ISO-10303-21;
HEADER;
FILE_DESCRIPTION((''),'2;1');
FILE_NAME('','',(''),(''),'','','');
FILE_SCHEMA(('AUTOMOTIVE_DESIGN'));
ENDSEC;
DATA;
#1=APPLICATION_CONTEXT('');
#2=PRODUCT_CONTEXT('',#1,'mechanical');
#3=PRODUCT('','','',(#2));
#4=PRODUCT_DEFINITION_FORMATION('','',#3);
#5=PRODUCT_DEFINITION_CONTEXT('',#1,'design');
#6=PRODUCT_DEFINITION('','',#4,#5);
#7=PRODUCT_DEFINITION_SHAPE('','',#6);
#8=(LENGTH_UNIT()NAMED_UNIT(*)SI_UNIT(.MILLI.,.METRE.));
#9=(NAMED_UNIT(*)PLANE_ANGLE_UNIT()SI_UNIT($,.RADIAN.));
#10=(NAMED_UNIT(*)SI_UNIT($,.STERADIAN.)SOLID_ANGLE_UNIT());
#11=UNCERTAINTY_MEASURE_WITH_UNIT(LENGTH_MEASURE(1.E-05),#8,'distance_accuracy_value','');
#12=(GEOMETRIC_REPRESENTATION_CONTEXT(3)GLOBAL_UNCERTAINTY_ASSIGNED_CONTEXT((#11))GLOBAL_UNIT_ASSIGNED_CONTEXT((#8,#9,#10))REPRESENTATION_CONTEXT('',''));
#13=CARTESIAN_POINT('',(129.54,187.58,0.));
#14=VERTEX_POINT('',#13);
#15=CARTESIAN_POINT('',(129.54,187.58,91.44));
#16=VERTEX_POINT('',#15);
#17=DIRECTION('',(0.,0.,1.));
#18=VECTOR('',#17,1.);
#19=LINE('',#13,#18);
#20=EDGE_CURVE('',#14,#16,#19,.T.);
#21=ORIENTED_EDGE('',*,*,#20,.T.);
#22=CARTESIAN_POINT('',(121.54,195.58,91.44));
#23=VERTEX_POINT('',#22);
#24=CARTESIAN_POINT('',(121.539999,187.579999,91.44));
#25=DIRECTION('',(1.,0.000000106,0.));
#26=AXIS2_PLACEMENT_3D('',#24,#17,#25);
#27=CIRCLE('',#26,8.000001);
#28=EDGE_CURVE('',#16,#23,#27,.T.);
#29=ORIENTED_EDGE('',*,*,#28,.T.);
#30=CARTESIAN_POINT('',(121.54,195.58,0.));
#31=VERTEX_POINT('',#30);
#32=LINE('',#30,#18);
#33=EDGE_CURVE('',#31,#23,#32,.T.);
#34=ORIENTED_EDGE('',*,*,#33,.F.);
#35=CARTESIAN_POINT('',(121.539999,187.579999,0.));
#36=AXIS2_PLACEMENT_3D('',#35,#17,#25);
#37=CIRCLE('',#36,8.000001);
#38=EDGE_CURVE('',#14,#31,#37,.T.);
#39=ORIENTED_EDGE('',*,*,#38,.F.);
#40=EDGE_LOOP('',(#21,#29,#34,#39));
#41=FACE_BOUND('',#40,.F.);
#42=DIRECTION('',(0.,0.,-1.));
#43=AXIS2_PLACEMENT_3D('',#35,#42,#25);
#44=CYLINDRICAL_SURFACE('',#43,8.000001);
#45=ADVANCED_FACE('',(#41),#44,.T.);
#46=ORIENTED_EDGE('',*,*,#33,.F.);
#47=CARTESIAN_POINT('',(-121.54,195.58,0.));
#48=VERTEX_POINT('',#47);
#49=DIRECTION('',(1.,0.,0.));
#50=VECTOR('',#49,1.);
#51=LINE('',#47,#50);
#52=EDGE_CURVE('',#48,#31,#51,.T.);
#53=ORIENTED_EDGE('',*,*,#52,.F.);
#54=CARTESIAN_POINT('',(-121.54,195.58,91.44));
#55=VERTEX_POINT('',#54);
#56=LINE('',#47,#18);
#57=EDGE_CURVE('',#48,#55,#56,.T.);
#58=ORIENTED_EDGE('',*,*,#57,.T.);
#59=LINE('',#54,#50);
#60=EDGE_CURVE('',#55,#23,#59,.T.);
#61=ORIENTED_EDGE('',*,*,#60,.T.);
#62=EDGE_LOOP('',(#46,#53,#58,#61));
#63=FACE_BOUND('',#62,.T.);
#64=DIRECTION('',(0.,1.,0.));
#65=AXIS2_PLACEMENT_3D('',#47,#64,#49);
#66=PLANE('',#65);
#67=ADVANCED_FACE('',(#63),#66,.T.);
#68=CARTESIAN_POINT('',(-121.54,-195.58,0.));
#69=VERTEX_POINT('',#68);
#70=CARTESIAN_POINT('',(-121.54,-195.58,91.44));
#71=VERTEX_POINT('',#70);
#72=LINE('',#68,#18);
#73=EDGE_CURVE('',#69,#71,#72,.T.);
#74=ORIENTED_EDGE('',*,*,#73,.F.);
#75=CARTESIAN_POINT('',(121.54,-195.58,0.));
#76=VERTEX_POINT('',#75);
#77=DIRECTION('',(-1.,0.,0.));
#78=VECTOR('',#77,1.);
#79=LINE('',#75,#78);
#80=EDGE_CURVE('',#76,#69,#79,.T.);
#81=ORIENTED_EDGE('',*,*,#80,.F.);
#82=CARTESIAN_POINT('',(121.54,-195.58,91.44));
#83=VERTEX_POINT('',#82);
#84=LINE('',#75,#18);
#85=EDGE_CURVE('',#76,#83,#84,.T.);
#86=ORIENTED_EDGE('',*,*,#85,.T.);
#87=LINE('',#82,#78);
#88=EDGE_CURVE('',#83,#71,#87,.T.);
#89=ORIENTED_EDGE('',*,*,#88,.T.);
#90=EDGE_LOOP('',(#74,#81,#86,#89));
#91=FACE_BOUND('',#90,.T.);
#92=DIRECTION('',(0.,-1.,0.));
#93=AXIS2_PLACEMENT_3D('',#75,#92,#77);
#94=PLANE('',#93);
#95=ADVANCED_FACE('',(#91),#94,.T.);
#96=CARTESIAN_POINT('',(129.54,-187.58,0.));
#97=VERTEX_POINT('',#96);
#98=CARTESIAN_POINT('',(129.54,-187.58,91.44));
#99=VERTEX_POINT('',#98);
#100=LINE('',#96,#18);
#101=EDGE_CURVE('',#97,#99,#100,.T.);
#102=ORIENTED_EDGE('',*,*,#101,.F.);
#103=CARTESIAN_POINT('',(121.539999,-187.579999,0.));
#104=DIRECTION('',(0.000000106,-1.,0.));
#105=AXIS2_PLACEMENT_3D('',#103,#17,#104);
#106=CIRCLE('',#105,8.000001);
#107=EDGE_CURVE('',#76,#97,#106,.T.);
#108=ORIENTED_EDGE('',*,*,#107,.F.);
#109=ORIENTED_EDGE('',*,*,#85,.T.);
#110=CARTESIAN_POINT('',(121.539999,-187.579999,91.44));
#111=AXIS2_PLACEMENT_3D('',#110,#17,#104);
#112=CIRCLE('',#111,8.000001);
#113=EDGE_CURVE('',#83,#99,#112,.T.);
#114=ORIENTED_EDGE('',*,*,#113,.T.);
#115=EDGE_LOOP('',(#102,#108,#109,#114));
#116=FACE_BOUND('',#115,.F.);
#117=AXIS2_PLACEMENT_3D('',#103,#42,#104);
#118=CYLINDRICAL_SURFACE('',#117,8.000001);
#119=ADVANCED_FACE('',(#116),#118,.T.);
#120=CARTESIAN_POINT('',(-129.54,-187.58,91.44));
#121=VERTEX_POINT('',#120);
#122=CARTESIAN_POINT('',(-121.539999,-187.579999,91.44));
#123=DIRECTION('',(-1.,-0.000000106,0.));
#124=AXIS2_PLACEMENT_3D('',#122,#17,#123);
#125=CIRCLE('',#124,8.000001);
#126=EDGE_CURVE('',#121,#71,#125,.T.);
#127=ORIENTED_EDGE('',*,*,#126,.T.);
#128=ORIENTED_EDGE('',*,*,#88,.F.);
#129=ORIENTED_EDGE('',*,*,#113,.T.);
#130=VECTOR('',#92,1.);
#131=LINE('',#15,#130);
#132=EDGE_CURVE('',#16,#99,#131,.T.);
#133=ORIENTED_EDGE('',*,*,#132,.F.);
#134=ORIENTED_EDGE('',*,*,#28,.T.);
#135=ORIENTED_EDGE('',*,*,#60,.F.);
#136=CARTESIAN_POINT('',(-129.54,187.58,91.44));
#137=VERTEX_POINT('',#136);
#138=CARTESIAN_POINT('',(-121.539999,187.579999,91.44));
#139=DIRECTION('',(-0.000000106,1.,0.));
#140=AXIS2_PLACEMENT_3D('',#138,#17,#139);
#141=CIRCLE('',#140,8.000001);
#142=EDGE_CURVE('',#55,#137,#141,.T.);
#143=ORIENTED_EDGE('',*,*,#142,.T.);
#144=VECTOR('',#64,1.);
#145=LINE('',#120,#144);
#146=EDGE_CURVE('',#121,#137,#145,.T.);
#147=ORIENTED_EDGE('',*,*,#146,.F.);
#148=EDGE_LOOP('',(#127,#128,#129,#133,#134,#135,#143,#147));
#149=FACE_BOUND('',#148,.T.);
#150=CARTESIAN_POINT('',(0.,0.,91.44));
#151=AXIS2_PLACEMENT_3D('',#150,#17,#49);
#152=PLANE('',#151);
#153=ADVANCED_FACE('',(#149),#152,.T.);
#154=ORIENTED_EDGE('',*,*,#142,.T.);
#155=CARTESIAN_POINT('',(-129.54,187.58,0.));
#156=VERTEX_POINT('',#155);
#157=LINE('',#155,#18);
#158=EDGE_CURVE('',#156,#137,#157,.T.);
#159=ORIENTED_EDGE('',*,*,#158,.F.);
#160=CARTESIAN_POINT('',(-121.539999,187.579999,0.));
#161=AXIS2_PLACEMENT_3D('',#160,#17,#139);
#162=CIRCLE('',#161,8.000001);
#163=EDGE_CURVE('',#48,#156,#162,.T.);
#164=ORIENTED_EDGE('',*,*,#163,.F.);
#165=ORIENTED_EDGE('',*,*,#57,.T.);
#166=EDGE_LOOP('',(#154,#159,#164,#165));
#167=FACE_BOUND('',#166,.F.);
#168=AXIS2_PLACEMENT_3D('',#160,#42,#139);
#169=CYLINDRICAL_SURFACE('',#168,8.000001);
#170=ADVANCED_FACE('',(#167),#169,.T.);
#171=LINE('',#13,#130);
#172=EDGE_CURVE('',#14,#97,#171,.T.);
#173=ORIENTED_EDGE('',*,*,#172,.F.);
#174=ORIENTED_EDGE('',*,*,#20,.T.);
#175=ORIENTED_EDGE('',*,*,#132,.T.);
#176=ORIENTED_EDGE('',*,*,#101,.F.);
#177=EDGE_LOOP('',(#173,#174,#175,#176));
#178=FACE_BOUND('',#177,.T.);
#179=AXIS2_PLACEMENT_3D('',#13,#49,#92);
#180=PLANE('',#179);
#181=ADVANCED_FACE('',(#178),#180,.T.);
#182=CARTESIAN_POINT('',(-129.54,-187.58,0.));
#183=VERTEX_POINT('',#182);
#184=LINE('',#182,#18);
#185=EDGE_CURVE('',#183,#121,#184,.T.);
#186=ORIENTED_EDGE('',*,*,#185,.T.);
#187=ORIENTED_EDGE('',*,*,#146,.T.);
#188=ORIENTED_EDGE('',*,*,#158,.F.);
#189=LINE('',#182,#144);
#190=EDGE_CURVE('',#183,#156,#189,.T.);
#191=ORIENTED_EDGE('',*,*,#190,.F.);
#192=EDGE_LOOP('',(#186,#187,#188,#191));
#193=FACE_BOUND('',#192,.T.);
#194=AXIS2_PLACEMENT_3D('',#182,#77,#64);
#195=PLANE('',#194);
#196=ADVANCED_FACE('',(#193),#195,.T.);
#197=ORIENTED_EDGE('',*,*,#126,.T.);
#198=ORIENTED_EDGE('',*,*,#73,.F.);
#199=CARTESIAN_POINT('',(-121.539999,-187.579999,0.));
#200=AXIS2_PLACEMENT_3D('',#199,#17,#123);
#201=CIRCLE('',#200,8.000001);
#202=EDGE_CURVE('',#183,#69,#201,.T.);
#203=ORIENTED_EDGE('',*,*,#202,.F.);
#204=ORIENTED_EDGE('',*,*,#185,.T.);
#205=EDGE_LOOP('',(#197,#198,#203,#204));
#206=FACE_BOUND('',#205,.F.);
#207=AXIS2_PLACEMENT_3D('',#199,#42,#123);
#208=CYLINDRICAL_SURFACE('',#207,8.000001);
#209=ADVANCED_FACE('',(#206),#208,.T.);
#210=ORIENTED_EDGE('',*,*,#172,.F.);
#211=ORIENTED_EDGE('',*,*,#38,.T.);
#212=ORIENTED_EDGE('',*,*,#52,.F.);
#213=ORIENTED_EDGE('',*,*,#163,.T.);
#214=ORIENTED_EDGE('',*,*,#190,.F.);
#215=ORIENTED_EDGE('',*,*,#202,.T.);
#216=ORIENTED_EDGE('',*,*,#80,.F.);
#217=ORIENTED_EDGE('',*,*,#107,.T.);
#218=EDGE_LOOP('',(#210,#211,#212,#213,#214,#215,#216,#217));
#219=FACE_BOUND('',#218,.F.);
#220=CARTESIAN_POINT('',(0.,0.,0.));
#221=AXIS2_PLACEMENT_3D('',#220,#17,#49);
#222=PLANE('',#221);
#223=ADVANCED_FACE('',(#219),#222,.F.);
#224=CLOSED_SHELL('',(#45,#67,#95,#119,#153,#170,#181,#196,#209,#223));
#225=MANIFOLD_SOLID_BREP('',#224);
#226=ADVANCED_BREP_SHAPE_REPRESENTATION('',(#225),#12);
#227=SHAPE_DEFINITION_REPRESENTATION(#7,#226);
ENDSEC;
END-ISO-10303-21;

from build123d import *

# Parameters (mm, degrees)
PAD_DEPTH = 91.44


with BuildPart() as part:
    # Sketch → Pad (new body)
    with BuildSketch(Plane.XY):
        with BuildLine():
            ThreePointArc((-121.54, 195.58), (-127.196854, 193.236854), (-129.54, 187.58))
            Line((-129.54, -187.58), (-129.54, 187.58))
            ThreePointArc((-129.54, -187.58), (-127.196854, -193.236854), (-121.54, -195.58))
            Line((121.54, -195.58), (-121.54, -195.58))
            ThreePointArc((121.54, -195.58), (127.196854, -193.236854), (129.54, -187.58))
            Line((129.54, 187.58), (129.54, -187.58))
            ThreePointArc((129.54, 187.58), (127.196854, 193.236854), (121.54, 195.58))
            Line((-121.54, 195.58), (121.54, 195.58))
        make_face()
    extrude(amount=PAD_DEPTH)


solid = part.part
